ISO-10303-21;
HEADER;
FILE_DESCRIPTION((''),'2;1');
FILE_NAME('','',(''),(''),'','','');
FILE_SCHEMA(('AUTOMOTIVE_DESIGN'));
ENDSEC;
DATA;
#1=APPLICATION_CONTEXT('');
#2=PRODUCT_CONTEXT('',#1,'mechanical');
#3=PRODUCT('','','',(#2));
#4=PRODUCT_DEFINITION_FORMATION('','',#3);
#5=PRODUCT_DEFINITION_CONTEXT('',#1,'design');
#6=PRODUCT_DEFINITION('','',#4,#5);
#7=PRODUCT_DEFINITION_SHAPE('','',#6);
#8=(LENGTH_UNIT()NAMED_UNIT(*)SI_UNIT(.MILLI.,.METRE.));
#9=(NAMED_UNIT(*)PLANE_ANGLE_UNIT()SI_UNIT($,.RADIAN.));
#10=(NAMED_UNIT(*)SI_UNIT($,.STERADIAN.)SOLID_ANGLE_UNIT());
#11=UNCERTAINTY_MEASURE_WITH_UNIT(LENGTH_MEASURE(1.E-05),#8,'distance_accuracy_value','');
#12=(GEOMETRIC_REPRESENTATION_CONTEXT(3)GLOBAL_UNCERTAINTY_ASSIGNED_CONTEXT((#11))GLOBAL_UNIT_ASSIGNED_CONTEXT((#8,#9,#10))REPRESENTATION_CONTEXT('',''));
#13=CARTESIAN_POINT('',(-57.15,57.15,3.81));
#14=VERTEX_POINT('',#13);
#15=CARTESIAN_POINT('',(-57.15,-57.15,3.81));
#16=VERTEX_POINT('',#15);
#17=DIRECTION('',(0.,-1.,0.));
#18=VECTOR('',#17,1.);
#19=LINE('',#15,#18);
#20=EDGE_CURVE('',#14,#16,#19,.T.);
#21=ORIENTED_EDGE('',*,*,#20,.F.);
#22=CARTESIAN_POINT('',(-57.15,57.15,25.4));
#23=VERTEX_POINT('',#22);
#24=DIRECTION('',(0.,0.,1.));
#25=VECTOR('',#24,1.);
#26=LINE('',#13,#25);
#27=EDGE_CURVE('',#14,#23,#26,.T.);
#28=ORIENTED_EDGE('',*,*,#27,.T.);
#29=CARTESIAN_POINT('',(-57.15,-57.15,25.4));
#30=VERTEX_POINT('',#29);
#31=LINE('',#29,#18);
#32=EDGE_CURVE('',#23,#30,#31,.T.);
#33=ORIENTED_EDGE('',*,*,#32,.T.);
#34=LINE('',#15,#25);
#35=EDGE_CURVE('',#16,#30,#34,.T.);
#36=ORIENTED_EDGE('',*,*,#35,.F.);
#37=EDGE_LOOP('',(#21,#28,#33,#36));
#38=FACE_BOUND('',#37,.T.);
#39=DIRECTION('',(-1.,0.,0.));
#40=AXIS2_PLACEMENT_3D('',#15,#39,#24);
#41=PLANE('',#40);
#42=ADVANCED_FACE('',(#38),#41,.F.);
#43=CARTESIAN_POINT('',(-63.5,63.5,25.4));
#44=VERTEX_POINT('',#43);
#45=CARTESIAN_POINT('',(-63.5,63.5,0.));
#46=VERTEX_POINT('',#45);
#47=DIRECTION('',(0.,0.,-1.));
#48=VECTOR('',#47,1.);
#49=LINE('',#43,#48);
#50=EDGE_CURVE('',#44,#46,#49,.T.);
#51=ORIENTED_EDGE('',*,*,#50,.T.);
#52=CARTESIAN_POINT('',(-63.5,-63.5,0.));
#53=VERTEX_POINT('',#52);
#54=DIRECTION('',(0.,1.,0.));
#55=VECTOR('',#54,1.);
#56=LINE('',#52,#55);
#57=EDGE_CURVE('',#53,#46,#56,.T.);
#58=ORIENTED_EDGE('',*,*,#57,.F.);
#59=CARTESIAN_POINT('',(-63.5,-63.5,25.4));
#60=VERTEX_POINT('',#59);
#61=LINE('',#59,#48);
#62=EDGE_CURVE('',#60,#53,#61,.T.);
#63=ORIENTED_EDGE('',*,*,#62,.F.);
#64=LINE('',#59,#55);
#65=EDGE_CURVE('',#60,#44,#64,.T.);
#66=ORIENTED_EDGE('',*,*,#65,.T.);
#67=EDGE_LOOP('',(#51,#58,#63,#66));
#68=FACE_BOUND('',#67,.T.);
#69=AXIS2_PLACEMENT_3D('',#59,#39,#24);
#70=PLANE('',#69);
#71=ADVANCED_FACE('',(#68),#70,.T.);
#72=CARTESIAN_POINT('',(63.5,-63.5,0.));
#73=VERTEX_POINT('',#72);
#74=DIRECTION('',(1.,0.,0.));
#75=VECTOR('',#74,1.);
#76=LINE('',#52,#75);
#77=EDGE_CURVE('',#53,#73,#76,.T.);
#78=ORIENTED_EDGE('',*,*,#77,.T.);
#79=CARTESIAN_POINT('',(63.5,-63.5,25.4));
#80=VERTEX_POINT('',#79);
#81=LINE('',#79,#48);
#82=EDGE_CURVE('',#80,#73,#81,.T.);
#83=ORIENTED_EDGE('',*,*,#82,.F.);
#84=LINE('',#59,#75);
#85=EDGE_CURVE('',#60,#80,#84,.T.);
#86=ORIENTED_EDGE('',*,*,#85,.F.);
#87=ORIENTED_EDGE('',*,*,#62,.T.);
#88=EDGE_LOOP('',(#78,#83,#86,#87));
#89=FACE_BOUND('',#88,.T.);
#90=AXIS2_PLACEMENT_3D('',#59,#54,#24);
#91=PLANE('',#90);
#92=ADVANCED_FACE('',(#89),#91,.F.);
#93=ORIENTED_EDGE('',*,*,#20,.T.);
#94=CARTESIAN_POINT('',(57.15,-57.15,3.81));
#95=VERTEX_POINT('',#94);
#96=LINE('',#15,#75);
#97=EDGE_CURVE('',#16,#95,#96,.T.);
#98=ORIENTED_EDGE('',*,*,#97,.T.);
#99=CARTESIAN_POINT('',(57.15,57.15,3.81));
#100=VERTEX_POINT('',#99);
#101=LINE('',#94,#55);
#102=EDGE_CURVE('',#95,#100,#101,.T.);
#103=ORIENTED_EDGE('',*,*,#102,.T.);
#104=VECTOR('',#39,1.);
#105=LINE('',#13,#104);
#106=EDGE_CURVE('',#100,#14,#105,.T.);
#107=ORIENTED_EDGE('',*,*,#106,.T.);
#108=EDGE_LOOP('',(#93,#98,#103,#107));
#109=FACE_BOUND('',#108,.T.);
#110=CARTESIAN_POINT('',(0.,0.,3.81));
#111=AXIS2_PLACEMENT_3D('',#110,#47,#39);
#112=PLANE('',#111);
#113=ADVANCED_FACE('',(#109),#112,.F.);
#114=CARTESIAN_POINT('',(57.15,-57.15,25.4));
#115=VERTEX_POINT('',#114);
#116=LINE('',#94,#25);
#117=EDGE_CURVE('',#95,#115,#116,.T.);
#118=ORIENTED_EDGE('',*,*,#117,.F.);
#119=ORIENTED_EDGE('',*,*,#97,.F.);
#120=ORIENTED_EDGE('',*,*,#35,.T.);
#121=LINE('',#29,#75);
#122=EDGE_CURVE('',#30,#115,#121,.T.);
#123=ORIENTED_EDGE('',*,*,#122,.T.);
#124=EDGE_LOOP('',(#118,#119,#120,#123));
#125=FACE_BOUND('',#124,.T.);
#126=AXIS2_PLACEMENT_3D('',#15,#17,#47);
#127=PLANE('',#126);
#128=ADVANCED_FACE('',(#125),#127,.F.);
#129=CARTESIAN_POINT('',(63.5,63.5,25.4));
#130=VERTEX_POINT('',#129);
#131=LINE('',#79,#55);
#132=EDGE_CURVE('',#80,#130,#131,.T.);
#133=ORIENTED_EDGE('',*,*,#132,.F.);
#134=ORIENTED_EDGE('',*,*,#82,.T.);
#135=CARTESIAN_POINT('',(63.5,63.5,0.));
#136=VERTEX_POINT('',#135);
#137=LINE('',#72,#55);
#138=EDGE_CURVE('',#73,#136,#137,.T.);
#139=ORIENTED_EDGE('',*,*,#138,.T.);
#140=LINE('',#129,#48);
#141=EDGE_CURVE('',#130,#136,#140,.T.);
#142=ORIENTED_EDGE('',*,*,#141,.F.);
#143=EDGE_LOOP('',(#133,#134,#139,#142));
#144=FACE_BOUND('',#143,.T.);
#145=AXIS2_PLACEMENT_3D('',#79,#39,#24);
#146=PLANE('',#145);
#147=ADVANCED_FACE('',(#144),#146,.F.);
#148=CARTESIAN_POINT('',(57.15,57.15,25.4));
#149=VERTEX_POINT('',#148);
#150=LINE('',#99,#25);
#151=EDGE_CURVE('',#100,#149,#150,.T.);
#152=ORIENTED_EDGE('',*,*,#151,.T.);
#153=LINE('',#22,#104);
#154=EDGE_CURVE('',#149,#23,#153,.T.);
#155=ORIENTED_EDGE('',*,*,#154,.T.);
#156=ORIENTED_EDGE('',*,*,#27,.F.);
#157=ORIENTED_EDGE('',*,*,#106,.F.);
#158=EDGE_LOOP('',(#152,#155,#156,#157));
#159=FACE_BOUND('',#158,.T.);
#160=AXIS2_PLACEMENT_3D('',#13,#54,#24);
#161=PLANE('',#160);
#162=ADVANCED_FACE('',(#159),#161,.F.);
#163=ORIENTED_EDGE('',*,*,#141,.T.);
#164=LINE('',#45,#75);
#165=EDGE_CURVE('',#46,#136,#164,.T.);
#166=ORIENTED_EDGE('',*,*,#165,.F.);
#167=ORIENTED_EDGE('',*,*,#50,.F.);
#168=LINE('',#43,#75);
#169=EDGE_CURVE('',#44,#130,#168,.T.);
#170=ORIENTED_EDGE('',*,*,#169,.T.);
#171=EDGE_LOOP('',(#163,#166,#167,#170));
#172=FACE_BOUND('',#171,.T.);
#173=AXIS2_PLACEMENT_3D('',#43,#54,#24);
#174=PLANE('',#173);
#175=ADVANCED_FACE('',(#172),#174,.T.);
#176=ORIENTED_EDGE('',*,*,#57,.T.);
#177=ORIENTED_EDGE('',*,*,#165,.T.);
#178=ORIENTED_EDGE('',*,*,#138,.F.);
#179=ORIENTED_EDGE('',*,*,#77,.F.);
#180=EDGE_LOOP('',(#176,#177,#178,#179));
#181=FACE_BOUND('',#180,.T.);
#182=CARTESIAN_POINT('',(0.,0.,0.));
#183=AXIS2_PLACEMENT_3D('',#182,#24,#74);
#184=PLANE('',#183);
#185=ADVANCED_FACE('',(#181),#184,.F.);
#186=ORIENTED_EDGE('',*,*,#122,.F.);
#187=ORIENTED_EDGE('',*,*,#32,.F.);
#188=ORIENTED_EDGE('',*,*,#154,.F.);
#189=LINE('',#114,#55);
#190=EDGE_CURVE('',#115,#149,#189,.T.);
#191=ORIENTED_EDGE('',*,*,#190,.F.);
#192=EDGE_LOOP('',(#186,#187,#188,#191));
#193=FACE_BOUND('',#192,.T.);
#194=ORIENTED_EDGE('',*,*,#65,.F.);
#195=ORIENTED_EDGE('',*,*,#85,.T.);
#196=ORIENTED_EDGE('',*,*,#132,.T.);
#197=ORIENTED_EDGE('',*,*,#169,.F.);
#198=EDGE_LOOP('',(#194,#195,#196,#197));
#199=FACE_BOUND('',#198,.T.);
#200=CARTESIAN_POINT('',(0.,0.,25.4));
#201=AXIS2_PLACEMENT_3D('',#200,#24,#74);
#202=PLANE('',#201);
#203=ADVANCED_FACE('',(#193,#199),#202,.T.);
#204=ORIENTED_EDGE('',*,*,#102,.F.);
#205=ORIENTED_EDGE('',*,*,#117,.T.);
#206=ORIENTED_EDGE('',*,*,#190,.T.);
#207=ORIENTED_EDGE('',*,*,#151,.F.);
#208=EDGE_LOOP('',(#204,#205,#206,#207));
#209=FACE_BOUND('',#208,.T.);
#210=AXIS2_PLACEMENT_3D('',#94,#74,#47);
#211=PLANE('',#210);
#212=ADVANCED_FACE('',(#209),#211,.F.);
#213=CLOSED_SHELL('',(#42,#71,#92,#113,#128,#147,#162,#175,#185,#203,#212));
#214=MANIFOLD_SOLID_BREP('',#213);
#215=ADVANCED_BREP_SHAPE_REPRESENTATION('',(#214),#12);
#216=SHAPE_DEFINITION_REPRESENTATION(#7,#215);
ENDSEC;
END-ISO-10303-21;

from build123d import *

# Parameters (mm, degrees)
SKETCH1_W           = 127
SKETCH1_H           = 127
BOSS_EXTRUDE1_DEPTH = 25.4
SKETCH2_W           = 114.3
SKETCH2_H           = 114.3
CUT_EXTRUDE1_DEPTH  = 21.59


with BuildPart() as part:
    # Sketch1 → Boss-Extrude1 (new body)
    with BuildSketch(Plane.XY):
        Rectangle(SKETCH1_W, SKETCH1_H)
    extrude(amount=BOSS_EXTRUDE1_DEPTH)

    # Sketch2 → Cut-Extrude1 (cut)
    with BuildSketch(Plane.XY.offset(25.4)):
        Rectangle(SKETCH2_W, SKETCH2_H)
    extrude(amount=-CUT_EXTRUDE1_DEPTH, mode=Mode.SUBTRACT)


solid = part.part
